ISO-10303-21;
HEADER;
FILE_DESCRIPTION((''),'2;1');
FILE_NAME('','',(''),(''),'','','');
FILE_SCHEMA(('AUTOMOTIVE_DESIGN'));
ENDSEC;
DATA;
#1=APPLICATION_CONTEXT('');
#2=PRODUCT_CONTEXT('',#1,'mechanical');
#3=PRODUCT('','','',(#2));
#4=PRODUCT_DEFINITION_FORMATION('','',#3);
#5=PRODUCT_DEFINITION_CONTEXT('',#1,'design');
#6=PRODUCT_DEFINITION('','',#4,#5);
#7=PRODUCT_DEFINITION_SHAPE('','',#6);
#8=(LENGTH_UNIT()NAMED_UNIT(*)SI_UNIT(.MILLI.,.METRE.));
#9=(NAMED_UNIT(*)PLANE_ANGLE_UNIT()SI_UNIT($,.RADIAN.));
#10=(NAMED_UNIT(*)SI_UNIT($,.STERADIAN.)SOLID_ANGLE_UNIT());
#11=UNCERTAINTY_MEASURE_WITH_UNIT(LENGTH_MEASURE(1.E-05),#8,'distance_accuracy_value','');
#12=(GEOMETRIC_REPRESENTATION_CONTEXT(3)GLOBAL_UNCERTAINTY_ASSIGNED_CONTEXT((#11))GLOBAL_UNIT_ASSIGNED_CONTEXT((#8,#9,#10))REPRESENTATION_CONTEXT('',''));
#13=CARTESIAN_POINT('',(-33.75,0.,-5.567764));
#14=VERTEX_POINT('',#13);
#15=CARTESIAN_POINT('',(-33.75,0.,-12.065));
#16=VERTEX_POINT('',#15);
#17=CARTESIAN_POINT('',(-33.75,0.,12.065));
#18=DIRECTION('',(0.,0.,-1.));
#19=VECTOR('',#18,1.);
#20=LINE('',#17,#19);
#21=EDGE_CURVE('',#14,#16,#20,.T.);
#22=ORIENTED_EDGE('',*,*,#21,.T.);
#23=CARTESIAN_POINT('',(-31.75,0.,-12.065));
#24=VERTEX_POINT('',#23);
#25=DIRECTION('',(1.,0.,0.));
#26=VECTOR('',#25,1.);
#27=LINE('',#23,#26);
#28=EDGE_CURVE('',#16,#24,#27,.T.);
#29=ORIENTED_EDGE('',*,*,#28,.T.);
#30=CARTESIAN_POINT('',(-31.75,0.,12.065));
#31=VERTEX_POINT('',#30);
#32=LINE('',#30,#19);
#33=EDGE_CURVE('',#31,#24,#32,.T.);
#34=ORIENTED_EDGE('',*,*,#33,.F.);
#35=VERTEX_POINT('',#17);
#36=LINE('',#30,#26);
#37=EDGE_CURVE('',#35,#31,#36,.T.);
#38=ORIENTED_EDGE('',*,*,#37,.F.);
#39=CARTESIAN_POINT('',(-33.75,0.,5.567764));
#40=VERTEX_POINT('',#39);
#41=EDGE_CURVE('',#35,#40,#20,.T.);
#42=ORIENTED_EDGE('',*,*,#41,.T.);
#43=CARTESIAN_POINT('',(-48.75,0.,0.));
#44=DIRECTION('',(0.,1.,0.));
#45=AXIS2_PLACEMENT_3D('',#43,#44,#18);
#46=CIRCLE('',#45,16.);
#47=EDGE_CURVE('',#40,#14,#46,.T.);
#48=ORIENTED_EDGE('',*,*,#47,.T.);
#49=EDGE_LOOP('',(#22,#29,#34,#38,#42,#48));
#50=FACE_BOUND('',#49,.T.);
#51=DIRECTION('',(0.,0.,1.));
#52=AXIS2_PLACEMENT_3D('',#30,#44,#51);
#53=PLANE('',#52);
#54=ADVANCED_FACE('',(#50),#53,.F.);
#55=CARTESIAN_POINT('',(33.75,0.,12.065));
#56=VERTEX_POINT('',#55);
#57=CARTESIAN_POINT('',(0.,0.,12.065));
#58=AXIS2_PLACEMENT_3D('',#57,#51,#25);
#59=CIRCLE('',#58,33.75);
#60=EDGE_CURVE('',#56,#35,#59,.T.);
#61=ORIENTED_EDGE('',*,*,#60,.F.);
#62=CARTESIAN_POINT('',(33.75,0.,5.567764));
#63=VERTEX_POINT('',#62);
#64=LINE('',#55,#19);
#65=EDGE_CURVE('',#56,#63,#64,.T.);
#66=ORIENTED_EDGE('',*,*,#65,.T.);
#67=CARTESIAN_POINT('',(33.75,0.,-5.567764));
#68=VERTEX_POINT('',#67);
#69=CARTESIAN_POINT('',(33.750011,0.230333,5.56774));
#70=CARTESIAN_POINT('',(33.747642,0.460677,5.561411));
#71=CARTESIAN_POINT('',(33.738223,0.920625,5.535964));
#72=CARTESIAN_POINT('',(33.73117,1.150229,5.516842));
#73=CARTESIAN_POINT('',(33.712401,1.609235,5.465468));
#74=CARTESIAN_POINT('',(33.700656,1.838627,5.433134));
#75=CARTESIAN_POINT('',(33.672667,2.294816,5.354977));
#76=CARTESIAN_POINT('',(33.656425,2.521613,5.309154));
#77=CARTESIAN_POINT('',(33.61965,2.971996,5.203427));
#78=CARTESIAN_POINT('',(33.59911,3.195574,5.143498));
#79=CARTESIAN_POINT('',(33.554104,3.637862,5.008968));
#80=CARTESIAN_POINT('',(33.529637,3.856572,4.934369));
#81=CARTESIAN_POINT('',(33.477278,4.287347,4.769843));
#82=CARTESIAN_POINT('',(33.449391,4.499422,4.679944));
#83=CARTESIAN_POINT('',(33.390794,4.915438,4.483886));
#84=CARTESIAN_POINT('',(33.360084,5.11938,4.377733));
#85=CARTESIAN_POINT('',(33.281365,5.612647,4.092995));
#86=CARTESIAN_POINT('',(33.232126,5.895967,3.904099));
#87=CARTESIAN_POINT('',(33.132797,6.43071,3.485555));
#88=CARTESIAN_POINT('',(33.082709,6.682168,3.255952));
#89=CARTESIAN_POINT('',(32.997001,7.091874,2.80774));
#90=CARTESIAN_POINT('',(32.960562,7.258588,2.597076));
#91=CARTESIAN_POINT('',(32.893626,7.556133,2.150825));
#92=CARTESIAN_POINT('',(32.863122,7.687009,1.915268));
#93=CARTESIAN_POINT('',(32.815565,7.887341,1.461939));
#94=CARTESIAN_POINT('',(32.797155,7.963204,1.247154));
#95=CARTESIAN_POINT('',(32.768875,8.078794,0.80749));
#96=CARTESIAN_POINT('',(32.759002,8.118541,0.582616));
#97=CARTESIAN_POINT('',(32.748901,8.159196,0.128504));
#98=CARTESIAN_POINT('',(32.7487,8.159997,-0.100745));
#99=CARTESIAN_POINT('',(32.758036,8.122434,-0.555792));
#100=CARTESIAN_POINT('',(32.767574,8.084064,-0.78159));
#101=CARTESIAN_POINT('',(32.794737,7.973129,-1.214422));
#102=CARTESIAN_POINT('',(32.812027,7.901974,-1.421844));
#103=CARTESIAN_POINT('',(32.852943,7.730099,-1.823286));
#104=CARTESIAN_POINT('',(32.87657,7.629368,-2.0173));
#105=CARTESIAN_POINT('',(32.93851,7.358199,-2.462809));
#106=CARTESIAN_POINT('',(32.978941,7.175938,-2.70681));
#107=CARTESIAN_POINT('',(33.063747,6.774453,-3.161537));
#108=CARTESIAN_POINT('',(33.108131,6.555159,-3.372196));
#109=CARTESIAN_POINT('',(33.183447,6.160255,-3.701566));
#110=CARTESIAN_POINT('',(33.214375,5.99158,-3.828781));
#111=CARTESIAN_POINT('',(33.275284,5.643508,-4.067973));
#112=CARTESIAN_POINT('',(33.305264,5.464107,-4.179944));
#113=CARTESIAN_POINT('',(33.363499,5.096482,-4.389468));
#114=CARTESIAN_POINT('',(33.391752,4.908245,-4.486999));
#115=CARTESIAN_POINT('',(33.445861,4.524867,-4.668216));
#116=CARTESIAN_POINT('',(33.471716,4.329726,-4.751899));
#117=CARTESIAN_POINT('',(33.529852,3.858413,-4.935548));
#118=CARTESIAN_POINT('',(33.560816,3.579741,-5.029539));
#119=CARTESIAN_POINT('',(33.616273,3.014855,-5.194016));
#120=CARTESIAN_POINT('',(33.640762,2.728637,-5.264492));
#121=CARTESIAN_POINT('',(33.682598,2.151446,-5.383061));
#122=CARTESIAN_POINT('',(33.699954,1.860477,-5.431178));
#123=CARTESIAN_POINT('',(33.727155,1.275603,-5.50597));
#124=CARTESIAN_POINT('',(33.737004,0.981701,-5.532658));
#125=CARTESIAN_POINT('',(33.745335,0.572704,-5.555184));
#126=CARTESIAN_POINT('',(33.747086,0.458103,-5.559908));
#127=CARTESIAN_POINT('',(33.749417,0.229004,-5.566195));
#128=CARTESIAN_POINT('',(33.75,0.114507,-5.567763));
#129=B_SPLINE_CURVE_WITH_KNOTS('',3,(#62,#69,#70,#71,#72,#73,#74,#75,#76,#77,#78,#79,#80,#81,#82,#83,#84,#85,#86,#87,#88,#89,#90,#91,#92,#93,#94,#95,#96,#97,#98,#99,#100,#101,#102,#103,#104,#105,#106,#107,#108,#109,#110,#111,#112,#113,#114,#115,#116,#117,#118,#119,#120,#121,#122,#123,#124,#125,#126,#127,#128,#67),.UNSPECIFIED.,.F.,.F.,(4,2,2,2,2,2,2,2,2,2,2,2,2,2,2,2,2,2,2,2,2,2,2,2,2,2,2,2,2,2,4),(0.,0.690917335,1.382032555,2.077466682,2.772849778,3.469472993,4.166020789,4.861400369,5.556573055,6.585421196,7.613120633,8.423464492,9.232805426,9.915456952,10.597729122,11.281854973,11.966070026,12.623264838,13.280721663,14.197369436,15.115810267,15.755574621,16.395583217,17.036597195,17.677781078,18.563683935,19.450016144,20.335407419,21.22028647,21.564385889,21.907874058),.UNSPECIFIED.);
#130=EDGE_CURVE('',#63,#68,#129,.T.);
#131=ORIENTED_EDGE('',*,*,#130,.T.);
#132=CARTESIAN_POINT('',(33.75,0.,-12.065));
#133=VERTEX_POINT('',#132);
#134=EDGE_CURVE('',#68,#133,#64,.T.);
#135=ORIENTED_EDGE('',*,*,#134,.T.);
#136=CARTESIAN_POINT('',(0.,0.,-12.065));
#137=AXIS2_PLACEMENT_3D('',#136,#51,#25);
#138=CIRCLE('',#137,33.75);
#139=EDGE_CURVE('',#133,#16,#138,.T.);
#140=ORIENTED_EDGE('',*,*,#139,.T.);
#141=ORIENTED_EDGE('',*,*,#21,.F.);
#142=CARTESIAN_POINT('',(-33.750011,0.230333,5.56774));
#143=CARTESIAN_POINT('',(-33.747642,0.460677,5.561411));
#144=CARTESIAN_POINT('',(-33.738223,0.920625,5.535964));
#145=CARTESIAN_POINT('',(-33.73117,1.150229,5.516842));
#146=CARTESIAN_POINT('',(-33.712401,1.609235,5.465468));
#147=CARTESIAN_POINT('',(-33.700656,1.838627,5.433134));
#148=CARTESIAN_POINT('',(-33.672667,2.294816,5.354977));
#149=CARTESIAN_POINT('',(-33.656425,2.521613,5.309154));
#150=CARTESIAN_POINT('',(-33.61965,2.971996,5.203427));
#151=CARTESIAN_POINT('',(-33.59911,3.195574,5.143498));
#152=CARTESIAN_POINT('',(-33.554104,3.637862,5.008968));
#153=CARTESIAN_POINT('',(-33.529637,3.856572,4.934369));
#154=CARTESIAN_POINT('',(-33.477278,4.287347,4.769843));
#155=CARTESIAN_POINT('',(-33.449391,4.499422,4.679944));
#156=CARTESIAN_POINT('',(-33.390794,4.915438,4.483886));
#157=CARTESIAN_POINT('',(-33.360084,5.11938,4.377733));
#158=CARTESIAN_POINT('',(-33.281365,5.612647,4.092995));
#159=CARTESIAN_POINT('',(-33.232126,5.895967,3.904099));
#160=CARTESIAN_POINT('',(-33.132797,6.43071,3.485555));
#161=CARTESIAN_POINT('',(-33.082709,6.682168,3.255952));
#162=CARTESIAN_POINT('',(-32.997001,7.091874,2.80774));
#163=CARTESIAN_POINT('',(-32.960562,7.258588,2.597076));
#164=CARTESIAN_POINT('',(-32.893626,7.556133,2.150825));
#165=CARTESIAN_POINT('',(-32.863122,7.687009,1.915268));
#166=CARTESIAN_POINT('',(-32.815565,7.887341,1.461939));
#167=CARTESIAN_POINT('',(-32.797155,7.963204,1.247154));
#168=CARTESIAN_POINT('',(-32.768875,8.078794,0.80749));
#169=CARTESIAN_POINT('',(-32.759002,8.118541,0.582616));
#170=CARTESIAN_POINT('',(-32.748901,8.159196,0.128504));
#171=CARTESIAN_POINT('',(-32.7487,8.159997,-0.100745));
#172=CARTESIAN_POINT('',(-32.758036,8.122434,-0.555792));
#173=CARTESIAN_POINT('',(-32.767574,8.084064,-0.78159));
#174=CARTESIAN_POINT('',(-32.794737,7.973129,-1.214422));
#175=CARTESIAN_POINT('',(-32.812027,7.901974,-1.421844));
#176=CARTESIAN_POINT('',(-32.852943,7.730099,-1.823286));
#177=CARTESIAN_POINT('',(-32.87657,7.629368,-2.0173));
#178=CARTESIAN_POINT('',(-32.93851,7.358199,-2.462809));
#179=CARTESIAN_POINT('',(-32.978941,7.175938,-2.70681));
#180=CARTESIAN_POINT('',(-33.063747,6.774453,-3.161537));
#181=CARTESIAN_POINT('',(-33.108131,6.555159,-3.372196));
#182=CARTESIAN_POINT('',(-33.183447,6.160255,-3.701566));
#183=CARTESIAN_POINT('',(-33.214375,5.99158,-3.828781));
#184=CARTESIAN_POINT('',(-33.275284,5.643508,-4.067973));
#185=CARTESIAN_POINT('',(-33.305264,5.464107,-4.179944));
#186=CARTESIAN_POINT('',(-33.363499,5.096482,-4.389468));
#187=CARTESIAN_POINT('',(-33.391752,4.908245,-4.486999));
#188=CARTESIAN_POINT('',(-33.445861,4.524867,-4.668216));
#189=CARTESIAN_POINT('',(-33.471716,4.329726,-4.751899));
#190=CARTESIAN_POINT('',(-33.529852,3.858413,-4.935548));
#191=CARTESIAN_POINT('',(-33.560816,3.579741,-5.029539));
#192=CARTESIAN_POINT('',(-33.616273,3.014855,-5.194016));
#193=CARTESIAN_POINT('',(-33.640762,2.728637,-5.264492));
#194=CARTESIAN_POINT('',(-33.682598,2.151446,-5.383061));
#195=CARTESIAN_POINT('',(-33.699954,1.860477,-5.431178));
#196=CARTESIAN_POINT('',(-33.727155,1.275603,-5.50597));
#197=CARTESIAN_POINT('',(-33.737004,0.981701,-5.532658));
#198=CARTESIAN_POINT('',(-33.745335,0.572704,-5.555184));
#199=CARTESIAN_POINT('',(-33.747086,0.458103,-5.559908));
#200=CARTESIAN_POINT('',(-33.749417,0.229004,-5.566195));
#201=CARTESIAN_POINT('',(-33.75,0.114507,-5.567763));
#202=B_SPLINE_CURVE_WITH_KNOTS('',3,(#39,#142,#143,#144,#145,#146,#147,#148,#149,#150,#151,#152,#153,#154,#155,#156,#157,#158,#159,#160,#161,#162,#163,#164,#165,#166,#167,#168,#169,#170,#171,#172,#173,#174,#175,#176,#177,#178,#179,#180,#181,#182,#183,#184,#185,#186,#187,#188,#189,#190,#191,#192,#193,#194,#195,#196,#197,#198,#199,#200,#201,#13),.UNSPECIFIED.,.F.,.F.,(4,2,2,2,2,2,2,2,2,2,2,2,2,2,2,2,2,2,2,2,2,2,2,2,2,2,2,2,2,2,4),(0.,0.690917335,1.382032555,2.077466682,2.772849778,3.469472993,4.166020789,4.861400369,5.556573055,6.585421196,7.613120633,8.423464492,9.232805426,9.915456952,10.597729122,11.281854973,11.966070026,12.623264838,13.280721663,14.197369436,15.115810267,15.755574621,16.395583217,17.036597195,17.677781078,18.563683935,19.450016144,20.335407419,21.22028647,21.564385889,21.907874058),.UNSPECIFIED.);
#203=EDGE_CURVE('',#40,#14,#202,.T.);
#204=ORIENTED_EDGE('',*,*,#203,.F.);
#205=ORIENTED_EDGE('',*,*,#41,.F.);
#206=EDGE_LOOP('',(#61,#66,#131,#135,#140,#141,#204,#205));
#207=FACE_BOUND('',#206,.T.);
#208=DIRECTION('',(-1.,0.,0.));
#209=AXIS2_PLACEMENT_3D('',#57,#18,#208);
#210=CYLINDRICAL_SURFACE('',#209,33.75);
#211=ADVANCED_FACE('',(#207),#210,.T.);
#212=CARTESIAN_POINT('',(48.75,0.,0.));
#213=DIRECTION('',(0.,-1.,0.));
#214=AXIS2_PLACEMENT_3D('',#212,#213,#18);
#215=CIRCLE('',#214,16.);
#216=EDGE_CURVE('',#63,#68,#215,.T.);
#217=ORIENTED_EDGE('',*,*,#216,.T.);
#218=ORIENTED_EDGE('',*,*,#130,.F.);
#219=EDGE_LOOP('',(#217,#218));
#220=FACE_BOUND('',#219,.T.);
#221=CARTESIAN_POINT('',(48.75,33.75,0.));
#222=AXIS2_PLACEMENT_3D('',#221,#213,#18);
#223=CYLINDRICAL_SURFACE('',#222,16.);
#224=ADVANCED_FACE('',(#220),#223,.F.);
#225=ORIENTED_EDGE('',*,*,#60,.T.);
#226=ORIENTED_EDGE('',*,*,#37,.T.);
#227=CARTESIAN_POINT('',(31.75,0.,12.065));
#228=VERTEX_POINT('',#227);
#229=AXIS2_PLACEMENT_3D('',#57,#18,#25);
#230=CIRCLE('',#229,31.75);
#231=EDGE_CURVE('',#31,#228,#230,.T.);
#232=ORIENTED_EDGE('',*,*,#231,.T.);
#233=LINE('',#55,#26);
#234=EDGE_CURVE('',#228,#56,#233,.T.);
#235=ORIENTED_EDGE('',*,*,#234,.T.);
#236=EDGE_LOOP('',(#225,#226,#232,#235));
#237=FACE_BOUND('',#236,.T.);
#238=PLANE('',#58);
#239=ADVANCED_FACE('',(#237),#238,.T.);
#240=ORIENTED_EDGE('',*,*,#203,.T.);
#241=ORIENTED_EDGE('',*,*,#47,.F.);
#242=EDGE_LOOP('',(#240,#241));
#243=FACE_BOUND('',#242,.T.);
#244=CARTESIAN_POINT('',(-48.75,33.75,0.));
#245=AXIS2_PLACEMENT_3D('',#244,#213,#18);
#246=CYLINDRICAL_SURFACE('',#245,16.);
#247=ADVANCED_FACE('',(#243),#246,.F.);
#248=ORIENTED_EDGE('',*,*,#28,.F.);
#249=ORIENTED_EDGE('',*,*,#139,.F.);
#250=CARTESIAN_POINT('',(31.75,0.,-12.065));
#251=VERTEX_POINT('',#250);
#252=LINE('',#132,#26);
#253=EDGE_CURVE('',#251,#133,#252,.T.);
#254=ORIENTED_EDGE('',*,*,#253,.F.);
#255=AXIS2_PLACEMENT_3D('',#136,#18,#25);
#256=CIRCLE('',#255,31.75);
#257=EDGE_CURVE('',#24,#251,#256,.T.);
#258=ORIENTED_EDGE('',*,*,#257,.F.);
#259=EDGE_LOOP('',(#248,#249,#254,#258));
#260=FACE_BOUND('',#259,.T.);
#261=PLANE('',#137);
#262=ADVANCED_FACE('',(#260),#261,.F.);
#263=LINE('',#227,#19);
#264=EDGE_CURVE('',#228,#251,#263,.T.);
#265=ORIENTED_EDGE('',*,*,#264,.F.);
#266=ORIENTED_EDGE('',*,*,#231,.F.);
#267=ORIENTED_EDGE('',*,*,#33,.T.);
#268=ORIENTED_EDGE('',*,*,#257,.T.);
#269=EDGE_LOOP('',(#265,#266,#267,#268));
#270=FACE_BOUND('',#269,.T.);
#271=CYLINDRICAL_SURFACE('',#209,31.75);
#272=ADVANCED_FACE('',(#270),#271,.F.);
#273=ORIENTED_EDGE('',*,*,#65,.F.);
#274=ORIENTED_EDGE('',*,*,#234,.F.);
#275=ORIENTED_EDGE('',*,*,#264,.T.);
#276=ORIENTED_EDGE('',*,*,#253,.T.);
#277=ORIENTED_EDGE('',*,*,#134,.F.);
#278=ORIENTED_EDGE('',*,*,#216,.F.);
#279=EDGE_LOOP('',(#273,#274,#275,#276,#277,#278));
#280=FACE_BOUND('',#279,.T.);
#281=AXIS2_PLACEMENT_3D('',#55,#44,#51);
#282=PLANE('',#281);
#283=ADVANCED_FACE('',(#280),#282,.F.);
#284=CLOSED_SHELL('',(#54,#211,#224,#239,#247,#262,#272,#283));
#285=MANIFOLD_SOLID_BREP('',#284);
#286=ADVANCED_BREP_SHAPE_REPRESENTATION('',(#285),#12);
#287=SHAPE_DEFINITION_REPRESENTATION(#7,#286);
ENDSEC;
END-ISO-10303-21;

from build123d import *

# Parameters (mm, degrees)
DODANIE_WYCI_GNI_CIE1_DEPTH = 12.065
WYTNIJ_WYCI_GNI_CIE1_DEPTH  = 50.230978306


with BuildPart() as part:
    # Szkic1 → Dodanie-wyciągnięcie1 (new, symmetric)
    with BuildSketch(Plane.XY):
        with BuildLine():
            Line((33.75, 0), (31.75, 0))
            ThreePointArc((31.75, 0), (0, 31.75), (-31.75, 0))
            Line((-31.75, 0), (-33.75, 0))
            ThreePointArc((-33.75, 0), (0, 33.75), (33.75, 0))
        make_face()
    extrude(amount=DODANIE_WYCI_GNI_CIE1_DEPTH, both=True)

    # Szkic2 → Wytnij-wyciągnięcie1 (cut, through all)
    with BuildSketch(Plane(origin=(0, 0, 0), x_dir=(-1, 0, 0), z_dir=(0, -1, 0))):
        with BuildLine():
            Line((-33.75, 5.567764363), (-33.75, 0))
            Line((-33.75, 0), (-33.75, -5.567764363))
            ThreePointArc((-33.75, -5.567764363), (-32.75, 0), (-33.75, 5.567764363))
        make_face()
    wytnij_wyci_gni_cie1 = extrude(amount=-WYTNIJ_WYCI_GNI_CIE1_DEPTH, mode=Mode.SUBTRACT)

    # Lustro1: Wytnij-wyciągnięcie1 across plane
    add(wytnij_wyci_gni_cie1.mirror(Plane(origin=(0, 0, 0), x_dir=(0, 0, 1), z_dir=(1, 0, 0))), mode=Mode.SUBTRACT)


solid = part.part
